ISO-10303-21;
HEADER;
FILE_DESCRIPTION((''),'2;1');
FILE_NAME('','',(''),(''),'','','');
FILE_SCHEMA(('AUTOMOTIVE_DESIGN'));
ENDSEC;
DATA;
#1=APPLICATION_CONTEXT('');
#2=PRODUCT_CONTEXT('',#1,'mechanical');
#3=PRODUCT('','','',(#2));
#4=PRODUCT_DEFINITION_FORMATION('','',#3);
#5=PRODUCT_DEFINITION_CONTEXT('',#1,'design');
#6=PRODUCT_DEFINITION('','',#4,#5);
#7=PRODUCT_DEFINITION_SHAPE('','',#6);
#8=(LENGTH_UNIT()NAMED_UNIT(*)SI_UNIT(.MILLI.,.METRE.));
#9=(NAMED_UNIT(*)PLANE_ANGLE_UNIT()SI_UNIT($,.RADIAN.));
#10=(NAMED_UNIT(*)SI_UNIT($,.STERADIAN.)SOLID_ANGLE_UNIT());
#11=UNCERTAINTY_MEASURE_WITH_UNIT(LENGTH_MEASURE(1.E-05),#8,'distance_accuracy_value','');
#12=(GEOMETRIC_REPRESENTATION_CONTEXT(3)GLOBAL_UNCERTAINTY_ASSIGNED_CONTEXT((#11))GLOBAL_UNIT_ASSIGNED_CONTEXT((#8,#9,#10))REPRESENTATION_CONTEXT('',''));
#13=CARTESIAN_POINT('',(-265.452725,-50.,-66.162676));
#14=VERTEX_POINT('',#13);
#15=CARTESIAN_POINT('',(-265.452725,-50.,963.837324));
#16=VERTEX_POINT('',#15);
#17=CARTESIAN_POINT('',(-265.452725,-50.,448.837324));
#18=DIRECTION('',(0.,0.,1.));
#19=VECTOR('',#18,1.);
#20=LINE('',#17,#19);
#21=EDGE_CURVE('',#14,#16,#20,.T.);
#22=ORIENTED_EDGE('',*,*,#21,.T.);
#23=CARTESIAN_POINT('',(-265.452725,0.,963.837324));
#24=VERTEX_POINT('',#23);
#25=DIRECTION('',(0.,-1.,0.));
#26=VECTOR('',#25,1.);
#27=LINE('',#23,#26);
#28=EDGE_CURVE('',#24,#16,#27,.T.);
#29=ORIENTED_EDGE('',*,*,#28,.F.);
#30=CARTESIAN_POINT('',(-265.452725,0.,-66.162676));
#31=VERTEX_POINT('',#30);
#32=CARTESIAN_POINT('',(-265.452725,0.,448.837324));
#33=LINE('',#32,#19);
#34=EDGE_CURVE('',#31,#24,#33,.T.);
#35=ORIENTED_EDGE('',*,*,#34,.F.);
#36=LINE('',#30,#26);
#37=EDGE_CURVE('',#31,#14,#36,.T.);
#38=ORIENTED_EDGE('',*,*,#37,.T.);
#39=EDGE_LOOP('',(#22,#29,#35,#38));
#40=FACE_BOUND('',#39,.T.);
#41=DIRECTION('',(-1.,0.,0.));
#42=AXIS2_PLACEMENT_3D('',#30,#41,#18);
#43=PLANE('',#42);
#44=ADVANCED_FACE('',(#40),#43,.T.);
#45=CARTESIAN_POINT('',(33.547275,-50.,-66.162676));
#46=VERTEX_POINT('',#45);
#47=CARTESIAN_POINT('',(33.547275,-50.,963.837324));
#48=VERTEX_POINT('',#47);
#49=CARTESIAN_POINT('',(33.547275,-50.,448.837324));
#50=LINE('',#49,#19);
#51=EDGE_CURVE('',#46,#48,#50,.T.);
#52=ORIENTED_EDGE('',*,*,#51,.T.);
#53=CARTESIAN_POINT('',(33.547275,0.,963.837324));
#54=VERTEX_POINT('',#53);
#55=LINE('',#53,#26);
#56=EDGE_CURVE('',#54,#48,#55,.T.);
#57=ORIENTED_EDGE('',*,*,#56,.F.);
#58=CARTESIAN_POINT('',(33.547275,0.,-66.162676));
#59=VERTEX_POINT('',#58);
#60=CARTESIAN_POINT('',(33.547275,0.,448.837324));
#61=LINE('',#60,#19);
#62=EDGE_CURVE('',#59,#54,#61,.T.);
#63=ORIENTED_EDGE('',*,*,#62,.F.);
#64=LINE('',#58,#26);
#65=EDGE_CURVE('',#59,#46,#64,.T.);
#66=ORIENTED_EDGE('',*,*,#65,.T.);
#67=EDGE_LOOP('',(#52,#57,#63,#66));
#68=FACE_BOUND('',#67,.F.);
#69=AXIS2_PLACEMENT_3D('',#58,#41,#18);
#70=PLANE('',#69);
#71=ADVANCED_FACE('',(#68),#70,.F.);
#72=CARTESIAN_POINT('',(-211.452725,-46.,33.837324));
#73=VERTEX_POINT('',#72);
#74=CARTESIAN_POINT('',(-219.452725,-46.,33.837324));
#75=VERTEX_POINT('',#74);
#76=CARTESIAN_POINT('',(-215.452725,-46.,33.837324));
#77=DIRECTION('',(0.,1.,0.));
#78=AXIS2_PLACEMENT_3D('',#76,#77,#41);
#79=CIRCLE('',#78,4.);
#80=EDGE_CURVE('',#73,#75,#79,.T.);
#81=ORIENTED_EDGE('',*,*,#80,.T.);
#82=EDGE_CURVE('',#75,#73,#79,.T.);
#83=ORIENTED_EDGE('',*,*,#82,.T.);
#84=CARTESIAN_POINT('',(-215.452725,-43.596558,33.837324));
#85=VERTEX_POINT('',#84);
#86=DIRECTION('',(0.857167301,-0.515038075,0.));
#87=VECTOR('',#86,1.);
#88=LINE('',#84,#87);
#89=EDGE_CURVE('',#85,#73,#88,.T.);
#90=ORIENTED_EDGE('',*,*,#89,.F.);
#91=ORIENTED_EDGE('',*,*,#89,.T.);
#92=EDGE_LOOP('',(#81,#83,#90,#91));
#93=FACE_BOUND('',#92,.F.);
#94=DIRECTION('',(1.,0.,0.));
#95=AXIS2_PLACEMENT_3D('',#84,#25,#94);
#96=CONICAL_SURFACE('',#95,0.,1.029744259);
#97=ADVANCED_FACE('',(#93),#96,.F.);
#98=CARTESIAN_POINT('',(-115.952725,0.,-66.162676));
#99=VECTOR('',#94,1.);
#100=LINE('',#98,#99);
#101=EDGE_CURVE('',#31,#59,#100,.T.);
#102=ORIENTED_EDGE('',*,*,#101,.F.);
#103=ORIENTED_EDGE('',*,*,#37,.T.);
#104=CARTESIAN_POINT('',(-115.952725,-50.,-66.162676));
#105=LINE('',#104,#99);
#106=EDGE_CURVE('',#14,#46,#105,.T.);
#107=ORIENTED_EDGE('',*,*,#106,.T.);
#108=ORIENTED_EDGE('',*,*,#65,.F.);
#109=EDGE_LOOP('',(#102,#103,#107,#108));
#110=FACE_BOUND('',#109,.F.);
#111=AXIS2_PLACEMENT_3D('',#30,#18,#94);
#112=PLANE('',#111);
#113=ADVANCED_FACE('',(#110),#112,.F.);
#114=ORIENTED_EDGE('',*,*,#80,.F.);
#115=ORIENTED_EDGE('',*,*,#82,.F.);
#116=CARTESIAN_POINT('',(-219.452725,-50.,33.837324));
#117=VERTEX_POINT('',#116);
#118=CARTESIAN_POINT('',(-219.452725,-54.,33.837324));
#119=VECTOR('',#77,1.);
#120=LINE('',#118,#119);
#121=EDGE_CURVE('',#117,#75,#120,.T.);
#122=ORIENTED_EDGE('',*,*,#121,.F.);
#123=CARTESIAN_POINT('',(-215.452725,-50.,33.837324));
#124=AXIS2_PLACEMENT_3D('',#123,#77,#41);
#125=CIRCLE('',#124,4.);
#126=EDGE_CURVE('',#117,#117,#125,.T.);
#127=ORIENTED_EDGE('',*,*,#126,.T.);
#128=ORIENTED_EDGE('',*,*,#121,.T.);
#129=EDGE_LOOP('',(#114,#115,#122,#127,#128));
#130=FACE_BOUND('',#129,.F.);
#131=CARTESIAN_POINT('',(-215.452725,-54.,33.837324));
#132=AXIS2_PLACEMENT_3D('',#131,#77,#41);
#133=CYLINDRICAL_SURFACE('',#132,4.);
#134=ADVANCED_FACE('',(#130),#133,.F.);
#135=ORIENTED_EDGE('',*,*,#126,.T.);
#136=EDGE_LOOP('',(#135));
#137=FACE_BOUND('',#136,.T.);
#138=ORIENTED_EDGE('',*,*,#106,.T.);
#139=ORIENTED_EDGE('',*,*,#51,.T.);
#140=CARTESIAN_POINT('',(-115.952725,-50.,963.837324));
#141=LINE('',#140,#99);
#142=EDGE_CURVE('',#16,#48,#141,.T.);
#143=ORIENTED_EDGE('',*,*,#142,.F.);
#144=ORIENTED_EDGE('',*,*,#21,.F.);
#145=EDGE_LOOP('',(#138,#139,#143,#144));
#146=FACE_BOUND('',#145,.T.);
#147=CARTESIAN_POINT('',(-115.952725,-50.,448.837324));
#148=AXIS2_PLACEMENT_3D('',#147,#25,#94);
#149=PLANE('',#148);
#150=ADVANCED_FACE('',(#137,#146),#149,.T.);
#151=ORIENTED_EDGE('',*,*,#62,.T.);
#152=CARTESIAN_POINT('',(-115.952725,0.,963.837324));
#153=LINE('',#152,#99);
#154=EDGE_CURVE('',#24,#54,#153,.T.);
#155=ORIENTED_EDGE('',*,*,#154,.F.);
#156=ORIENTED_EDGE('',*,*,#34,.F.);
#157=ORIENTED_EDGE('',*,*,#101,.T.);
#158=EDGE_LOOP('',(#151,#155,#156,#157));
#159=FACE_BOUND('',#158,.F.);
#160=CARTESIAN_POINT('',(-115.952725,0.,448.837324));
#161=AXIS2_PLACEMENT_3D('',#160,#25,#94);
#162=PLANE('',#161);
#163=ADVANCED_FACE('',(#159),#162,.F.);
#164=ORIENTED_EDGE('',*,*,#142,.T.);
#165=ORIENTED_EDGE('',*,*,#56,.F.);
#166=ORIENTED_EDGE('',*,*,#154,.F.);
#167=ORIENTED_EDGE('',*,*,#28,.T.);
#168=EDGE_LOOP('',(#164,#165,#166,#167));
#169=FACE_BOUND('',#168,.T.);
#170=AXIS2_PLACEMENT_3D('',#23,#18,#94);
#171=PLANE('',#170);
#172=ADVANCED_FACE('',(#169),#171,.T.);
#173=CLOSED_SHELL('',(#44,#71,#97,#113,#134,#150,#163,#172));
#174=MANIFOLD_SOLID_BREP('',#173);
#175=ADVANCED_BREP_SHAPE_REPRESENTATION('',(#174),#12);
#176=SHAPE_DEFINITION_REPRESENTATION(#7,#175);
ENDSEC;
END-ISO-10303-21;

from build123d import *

# Parameters (mm, degrees)
F0_W     = 299
F0_H     = 1030
F1_DEPTH = 50
F3_D     = 8
F3_DEPTH = 4
F3_TIP   = 2.4034424761


with BuildPart() as f1:
    # F0 (on Front) → F1 (new body)
    with BuildSketch(Plane.XZ):
        with Locations((-115.9527252316, 448.8373243809)):
            Rectangle(F0_W, F0_H)
    extrude(amount=F1_DEPTH)

    # F3
    with Locations(Plane.XZ.offset(50)):
        with Locations((-215.4527252316, 33.8373243809)):
            Hole(F3_D / 2, depth=F3_DEPTH)
            with Locations((0, 0, -(F3_DEPTH + F3_TIP / 2))):  # 118° drill point
                Cone(0, F3_D / 2, F3_TIP, mode=Mode.SUBTRACT)


solid = f1.part
